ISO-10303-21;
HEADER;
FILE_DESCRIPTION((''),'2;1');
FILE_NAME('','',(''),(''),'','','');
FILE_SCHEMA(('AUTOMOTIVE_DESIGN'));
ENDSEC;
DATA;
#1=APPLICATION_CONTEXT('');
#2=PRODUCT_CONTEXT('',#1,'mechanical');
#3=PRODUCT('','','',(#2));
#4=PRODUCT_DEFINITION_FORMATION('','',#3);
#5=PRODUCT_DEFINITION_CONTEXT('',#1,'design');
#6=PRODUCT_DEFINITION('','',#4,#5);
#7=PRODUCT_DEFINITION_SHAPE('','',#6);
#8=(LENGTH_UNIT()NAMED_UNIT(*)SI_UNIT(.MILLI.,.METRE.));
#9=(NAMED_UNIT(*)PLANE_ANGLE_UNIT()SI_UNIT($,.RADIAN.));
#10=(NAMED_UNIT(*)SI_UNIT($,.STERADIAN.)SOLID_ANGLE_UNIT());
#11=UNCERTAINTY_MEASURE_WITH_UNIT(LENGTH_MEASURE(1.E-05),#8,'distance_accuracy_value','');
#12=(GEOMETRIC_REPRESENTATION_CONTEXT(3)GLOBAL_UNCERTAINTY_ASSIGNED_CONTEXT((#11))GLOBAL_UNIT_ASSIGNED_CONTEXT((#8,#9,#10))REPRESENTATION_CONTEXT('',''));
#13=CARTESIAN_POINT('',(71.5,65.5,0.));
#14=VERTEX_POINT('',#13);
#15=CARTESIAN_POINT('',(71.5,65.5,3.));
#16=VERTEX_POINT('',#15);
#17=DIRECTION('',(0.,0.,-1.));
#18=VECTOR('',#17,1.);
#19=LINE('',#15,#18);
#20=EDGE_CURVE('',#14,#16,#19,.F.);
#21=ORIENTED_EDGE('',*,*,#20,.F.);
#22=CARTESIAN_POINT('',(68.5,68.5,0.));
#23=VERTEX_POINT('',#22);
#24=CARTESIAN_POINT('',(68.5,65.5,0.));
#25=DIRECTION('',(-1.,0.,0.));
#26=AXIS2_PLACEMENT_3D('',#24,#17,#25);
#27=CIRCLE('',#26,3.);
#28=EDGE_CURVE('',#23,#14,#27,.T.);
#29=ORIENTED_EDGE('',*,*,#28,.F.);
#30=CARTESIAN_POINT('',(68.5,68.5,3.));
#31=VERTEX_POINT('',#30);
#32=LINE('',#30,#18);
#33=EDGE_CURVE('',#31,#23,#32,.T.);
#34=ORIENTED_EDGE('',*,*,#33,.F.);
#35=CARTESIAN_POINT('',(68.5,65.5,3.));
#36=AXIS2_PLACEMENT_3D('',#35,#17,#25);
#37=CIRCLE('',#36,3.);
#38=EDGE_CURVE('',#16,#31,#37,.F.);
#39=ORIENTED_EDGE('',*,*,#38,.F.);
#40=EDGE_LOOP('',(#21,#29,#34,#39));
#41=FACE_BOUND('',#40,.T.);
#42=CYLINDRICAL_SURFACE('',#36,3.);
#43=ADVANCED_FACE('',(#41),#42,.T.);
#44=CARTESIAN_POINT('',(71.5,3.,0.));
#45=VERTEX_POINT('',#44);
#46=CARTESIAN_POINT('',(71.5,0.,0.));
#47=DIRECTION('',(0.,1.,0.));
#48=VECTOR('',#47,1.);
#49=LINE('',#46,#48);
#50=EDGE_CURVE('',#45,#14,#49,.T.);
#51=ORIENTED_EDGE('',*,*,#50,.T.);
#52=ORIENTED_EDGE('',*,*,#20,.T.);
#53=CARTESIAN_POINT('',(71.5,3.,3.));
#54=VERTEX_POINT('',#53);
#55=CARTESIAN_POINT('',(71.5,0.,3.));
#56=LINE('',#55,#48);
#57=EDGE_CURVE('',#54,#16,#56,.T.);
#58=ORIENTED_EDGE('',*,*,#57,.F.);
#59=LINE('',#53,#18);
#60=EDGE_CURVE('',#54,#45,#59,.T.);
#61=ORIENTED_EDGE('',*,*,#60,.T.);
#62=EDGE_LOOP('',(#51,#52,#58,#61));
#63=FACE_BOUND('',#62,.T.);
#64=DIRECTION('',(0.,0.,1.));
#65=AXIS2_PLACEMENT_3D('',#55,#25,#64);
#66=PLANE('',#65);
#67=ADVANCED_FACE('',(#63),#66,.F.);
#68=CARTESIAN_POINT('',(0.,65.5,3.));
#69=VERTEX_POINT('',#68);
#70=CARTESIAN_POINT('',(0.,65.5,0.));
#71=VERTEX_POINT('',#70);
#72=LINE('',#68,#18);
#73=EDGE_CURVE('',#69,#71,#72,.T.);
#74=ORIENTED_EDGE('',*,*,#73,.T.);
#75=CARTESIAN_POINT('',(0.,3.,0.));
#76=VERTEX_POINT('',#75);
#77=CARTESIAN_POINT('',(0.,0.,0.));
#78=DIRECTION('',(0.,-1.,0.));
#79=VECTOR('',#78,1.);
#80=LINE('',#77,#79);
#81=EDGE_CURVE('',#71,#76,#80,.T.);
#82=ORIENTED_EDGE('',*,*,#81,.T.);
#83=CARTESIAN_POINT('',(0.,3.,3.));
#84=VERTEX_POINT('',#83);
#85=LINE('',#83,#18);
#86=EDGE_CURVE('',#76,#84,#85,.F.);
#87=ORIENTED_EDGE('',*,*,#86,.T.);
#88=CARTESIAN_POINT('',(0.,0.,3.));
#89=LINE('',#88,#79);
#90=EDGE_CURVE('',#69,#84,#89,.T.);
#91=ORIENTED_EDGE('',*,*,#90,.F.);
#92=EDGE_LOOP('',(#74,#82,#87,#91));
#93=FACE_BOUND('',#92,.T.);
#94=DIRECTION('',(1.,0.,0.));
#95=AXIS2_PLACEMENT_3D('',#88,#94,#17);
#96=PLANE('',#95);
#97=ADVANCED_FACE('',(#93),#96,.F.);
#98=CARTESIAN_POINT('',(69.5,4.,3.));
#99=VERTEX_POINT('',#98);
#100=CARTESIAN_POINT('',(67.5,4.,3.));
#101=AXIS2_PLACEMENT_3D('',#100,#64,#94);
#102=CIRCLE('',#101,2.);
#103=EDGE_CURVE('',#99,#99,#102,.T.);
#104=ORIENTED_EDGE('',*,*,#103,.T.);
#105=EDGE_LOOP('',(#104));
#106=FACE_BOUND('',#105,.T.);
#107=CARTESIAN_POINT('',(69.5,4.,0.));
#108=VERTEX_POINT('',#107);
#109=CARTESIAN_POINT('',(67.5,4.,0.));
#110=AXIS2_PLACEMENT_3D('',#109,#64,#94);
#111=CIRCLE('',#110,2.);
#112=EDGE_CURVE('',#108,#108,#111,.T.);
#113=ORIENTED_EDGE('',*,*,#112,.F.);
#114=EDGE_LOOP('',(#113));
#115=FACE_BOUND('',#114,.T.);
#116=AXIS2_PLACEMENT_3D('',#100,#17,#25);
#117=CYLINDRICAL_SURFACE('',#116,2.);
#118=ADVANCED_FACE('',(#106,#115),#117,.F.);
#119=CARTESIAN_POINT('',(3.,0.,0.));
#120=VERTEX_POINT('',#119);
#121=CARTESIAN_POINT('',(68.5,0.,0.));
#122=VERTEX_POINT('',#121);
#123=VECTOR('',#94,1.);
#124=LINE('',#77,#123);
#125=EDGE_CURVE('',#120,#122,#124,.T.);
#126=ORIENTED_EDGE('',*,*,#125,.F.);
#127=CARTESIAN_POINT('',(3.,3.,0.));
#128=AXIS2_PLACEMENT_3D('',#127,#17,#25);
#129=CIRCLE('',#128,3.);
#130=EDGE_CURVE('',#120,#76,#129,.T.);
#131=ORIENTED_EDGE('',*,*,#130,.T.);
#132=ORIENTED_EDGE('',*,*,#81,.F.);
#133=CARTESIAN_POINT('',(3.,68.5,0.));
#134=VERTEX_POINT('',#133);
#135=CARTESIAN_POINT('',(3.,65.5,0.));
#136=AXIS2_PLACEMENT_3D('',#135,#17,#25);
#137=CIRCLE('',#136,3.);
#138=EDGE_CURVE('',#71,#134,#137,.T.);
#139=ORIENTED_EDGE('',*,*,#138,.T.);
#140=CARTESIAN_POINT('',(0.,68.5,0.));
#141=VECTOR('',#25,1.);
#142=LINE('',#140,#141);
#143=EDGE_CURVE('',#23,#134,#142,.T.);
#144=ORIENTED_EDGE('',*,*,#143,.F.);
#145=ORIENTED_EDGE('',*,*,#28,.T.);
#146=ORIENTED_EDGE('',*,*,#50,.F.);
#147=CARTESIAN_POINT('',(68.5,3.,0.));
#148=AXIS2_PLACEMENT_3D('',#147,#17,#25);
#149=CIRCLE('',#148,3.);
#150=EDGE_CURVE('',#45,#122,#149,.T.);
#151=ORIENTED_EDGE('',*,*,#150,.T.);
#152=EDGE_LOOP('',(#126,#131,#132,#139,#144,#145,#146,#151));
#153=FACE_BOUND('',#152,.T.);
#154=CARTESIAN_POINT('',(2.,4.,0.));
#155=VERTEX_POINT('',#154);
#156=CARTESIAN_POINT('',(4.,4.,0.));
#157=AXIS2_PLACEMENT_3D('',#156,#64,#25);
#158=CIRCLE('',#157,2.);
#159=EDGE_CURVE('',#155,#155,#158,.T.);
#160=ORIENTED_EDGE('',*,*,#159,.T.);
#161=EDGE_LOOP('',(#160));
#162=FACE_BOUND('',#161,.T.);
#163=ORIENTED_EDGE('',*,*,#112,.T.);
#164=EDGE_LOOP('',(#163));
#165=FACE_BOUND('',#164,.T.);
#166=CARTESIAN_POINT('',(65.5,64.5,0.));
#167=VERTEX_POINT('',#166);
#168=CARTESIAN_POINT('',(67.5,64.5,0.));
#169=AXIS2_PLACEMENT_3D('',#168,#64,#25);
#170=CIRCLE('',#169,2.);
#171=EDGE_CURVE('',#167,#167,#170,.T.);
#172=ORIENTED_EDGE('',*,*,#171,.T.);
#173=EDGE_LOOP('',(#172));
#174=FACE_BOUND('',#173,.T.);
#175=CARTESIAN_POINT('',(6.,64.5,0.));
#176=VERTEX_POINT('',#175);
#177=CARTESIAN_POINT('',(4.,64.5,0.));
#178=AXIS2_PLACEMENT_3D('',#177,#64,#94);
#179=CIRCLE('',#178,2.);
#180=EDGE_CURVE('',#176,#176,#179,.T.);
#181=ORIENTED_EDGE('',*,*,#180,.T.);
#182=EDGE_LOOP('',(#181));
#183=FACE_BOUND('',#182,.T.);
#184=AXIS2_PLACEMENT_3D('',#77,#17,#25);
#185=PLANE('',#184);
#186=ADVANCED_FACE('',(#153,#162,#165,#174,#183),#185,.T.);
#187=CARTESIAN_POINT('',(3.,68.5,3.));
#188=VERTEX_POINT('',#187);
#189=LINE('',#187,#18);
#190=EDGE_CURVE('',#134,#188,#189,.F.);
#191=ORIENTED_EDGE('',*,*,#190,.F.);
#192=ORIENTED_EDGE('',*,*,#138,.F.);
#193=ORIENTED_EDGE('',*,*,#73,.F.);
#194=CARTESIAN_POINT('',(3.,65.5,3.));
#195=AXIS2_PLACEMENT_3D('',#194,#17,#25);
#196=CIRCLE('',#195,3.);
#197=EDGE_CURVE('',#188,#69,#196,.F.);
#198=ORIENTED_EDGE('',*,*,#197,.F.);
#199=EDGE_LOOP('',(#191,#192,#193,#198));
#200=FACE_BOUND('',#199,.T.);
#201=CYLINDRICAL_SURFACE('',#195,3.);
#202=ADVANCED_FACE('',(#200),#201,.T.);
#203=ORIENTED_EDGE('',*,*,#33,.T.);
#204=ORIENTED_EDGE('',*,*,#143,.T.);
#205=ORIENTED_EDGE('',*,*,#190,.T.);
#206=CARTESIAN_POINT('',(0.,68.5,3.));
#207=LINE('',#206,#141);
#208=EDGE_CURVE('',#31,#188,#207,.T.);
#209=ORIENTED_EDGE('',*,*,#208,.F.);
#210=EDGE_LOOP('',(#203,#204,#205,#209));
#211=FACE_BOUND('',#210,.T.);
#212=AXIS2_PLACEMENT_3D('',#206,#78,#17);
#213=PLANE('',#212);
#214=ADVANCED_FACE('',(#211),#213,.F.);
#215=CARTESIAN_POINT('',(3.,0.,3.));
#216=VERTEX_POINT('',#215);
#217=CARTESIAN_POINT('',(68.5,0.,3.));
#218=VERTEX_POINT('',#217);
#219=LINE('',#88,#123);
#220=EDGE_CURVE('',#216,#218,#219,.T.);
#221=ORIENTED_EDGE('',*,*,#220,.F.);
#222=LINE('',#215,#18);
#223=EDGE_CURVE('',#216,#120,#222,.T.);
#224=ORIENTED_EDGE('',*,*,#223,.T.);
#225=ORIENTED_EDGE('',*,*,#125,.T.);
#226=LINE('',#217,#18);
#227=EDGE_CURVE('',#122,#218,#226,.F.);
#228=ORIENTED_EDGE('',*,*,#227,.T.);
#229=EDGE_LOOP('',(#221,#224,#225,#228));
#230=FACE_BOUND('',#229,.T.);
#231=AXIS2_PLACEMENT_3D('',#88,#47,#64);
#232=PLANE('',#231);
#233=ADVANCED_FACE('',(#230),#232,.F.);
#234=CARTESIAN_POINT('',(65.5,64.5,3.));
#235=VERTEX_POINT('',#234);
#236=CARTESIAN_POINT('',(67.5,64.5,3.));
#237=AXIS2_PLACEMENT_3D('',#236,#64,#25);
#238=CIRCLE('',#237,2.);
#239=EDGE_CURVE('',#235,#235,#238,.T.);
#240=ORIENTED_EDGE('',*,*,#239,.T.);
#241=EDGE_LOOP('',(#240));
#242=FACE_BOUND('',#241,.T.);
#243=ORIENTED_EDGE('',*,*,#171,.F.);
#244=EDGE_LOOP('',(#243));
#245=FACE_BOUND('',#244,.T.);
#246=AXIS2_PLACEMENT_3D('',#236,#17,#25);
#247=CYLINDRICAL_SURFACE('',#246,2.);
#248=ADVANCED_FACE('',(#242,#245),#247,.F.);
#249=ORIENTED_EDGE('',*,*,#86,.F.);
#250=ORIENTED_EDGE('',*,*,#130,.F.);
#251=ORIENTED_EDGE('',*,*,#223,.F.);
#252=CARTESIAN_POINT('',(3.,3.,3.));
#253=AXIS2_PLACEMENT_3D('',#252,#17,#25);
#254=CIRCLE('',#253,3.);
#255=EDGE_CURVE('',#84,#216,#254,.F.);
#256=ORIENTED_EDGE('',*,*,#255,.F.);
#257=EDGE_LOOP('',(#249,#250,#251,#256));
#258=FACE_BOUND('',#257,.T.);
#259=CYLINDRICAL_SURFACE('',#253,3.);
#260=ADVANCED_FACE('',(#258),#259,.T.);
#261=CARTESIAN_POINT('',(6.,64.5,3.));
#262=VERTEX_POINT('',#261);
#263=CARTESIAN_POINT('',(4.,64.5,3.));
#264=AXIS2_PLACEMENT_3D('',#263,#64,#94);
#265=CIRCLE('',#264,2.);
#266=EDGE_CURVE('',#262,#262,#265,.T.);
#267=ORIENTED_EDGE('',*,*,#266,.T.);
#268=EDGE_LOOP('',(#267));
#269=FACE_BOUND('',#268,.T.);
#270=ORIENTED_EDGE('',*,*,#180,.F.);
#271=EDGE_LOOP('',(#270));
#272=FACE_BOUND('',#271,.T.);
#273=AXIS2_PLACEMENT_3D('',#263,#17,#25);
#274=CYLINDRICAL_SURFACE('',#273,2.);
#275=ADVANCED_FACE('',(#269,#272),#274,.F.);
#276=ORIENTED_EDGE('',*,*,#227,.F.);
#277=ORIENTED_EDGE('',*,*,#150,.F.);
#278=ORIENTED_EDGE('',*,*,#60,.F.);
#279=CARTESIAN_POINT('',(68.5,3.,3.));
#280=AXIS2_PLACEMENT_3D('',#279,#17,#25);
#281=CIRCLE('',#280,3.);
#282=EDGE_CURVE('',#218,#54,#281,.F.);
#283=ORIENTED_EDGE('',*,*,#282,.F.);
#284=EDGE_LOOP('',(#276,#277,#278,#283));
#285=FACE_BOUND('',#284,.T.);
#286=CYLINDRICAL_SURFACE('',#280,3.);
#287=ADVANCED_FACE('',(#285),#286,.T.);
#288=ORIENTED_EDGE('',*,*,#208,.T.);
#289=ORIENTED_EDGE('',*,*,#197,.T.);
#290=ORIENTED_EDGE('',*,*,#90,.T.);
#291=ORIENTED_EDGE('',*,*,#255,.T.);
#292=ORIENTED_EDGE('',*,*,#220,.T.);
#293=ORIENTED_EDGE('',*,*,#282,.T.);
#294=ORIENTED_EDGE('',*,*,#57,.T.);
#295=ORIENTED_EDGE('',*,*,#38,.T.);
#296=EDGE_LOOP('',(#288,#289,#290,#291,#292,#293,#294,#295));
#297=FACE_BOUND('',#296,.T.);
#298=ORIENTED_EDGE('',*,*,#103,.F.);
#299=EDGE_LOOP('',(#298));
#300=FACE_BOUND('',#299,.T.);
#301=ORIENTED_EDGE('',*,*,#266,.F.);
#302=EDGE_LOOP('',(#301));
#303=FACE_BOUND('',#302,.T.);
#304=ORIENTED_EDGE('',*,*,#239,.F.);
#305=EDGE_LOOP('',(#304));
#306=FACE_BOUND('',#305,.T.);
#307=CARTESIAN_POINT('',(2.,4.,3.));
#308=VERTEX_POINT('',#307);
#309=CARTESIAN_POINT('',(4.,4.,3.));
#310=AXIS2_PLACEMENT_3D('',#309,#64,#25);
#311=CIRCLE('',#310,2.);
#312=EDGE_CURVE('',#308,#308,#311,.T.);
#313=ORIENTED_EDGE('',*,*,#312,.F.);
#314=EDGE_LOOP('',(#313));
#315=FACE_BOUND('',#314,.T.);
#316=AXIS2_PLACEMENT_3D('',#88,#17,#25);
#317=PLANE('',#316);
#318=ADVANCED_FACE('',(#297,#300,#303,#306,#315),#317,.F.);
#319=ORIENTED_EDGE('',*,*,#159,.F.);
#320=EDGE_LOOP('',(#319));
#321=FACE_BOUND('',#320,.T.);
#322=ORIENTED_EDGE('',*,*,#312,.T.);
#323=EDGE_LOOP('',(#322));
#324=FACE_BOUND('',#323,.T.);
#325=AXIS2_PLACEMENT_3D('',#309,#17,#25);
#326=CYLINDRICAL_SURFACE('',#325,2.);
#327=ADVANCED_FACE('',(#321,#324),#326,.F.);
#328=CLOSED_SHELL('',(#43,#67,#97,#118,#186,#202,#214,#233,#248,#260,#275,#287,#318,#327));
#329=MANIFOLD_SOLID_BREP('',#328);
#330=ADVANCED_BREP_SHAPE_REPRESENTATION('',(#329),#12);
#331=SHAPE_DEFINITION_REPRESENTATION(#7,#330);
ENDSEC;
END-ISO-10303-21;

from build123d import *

# Parameters (mm, degrees)
ESBO_O1_W                = 71.5
ESBO_O1_H                = 68.5
ESBO_O1_R                = 2
RESSALTO_EXTRUS_O1_DEPTH = 3
FILETE1_R                = 3


with BuildPart() as part:
    # Esboço1 → Ressalto-extrusão1 (new body)
    with BuildSketch(Plane.XY):
        with Locations((35.75, 34.25)):
            Rectangle(ESBO_O1_W, ESBO_O1_H)
        with Locations((4, 64.5)):
            Circle(ESBO_O1_R, mode=Mode.SUBTRACT)
        with Locations(Location((67.5, 64.5, 0), (0, 0, 180))):
            Circle(ESBO_O1_R, mode=Mode.SUBTRACT)
        with Locations((67.5, 4)):
            Circle(ESBO_O1_R, mode=Mode.SUBTRACT)
        with Locations(Location((4, 4, 0), (0, 0, 180))):
            Circle(ESBO_O1_R, mode=Mode.SUBTRACT)
    extrude(amount=RESSALTO_EXTRUS_O1_DEPTH)

    # Filete1
    filete1_edges = [part.edges().sort_by_distance(p)[0] for p in [
        (0, 68.5, 1.5),
        (71.5, 68.5, 1.5),
        (71.5, 0, 1.5),
        (0, 0, 1.5),
    ]]
    fillet(filete1_edges, radius=FILETE1_R)


solid = part.part
